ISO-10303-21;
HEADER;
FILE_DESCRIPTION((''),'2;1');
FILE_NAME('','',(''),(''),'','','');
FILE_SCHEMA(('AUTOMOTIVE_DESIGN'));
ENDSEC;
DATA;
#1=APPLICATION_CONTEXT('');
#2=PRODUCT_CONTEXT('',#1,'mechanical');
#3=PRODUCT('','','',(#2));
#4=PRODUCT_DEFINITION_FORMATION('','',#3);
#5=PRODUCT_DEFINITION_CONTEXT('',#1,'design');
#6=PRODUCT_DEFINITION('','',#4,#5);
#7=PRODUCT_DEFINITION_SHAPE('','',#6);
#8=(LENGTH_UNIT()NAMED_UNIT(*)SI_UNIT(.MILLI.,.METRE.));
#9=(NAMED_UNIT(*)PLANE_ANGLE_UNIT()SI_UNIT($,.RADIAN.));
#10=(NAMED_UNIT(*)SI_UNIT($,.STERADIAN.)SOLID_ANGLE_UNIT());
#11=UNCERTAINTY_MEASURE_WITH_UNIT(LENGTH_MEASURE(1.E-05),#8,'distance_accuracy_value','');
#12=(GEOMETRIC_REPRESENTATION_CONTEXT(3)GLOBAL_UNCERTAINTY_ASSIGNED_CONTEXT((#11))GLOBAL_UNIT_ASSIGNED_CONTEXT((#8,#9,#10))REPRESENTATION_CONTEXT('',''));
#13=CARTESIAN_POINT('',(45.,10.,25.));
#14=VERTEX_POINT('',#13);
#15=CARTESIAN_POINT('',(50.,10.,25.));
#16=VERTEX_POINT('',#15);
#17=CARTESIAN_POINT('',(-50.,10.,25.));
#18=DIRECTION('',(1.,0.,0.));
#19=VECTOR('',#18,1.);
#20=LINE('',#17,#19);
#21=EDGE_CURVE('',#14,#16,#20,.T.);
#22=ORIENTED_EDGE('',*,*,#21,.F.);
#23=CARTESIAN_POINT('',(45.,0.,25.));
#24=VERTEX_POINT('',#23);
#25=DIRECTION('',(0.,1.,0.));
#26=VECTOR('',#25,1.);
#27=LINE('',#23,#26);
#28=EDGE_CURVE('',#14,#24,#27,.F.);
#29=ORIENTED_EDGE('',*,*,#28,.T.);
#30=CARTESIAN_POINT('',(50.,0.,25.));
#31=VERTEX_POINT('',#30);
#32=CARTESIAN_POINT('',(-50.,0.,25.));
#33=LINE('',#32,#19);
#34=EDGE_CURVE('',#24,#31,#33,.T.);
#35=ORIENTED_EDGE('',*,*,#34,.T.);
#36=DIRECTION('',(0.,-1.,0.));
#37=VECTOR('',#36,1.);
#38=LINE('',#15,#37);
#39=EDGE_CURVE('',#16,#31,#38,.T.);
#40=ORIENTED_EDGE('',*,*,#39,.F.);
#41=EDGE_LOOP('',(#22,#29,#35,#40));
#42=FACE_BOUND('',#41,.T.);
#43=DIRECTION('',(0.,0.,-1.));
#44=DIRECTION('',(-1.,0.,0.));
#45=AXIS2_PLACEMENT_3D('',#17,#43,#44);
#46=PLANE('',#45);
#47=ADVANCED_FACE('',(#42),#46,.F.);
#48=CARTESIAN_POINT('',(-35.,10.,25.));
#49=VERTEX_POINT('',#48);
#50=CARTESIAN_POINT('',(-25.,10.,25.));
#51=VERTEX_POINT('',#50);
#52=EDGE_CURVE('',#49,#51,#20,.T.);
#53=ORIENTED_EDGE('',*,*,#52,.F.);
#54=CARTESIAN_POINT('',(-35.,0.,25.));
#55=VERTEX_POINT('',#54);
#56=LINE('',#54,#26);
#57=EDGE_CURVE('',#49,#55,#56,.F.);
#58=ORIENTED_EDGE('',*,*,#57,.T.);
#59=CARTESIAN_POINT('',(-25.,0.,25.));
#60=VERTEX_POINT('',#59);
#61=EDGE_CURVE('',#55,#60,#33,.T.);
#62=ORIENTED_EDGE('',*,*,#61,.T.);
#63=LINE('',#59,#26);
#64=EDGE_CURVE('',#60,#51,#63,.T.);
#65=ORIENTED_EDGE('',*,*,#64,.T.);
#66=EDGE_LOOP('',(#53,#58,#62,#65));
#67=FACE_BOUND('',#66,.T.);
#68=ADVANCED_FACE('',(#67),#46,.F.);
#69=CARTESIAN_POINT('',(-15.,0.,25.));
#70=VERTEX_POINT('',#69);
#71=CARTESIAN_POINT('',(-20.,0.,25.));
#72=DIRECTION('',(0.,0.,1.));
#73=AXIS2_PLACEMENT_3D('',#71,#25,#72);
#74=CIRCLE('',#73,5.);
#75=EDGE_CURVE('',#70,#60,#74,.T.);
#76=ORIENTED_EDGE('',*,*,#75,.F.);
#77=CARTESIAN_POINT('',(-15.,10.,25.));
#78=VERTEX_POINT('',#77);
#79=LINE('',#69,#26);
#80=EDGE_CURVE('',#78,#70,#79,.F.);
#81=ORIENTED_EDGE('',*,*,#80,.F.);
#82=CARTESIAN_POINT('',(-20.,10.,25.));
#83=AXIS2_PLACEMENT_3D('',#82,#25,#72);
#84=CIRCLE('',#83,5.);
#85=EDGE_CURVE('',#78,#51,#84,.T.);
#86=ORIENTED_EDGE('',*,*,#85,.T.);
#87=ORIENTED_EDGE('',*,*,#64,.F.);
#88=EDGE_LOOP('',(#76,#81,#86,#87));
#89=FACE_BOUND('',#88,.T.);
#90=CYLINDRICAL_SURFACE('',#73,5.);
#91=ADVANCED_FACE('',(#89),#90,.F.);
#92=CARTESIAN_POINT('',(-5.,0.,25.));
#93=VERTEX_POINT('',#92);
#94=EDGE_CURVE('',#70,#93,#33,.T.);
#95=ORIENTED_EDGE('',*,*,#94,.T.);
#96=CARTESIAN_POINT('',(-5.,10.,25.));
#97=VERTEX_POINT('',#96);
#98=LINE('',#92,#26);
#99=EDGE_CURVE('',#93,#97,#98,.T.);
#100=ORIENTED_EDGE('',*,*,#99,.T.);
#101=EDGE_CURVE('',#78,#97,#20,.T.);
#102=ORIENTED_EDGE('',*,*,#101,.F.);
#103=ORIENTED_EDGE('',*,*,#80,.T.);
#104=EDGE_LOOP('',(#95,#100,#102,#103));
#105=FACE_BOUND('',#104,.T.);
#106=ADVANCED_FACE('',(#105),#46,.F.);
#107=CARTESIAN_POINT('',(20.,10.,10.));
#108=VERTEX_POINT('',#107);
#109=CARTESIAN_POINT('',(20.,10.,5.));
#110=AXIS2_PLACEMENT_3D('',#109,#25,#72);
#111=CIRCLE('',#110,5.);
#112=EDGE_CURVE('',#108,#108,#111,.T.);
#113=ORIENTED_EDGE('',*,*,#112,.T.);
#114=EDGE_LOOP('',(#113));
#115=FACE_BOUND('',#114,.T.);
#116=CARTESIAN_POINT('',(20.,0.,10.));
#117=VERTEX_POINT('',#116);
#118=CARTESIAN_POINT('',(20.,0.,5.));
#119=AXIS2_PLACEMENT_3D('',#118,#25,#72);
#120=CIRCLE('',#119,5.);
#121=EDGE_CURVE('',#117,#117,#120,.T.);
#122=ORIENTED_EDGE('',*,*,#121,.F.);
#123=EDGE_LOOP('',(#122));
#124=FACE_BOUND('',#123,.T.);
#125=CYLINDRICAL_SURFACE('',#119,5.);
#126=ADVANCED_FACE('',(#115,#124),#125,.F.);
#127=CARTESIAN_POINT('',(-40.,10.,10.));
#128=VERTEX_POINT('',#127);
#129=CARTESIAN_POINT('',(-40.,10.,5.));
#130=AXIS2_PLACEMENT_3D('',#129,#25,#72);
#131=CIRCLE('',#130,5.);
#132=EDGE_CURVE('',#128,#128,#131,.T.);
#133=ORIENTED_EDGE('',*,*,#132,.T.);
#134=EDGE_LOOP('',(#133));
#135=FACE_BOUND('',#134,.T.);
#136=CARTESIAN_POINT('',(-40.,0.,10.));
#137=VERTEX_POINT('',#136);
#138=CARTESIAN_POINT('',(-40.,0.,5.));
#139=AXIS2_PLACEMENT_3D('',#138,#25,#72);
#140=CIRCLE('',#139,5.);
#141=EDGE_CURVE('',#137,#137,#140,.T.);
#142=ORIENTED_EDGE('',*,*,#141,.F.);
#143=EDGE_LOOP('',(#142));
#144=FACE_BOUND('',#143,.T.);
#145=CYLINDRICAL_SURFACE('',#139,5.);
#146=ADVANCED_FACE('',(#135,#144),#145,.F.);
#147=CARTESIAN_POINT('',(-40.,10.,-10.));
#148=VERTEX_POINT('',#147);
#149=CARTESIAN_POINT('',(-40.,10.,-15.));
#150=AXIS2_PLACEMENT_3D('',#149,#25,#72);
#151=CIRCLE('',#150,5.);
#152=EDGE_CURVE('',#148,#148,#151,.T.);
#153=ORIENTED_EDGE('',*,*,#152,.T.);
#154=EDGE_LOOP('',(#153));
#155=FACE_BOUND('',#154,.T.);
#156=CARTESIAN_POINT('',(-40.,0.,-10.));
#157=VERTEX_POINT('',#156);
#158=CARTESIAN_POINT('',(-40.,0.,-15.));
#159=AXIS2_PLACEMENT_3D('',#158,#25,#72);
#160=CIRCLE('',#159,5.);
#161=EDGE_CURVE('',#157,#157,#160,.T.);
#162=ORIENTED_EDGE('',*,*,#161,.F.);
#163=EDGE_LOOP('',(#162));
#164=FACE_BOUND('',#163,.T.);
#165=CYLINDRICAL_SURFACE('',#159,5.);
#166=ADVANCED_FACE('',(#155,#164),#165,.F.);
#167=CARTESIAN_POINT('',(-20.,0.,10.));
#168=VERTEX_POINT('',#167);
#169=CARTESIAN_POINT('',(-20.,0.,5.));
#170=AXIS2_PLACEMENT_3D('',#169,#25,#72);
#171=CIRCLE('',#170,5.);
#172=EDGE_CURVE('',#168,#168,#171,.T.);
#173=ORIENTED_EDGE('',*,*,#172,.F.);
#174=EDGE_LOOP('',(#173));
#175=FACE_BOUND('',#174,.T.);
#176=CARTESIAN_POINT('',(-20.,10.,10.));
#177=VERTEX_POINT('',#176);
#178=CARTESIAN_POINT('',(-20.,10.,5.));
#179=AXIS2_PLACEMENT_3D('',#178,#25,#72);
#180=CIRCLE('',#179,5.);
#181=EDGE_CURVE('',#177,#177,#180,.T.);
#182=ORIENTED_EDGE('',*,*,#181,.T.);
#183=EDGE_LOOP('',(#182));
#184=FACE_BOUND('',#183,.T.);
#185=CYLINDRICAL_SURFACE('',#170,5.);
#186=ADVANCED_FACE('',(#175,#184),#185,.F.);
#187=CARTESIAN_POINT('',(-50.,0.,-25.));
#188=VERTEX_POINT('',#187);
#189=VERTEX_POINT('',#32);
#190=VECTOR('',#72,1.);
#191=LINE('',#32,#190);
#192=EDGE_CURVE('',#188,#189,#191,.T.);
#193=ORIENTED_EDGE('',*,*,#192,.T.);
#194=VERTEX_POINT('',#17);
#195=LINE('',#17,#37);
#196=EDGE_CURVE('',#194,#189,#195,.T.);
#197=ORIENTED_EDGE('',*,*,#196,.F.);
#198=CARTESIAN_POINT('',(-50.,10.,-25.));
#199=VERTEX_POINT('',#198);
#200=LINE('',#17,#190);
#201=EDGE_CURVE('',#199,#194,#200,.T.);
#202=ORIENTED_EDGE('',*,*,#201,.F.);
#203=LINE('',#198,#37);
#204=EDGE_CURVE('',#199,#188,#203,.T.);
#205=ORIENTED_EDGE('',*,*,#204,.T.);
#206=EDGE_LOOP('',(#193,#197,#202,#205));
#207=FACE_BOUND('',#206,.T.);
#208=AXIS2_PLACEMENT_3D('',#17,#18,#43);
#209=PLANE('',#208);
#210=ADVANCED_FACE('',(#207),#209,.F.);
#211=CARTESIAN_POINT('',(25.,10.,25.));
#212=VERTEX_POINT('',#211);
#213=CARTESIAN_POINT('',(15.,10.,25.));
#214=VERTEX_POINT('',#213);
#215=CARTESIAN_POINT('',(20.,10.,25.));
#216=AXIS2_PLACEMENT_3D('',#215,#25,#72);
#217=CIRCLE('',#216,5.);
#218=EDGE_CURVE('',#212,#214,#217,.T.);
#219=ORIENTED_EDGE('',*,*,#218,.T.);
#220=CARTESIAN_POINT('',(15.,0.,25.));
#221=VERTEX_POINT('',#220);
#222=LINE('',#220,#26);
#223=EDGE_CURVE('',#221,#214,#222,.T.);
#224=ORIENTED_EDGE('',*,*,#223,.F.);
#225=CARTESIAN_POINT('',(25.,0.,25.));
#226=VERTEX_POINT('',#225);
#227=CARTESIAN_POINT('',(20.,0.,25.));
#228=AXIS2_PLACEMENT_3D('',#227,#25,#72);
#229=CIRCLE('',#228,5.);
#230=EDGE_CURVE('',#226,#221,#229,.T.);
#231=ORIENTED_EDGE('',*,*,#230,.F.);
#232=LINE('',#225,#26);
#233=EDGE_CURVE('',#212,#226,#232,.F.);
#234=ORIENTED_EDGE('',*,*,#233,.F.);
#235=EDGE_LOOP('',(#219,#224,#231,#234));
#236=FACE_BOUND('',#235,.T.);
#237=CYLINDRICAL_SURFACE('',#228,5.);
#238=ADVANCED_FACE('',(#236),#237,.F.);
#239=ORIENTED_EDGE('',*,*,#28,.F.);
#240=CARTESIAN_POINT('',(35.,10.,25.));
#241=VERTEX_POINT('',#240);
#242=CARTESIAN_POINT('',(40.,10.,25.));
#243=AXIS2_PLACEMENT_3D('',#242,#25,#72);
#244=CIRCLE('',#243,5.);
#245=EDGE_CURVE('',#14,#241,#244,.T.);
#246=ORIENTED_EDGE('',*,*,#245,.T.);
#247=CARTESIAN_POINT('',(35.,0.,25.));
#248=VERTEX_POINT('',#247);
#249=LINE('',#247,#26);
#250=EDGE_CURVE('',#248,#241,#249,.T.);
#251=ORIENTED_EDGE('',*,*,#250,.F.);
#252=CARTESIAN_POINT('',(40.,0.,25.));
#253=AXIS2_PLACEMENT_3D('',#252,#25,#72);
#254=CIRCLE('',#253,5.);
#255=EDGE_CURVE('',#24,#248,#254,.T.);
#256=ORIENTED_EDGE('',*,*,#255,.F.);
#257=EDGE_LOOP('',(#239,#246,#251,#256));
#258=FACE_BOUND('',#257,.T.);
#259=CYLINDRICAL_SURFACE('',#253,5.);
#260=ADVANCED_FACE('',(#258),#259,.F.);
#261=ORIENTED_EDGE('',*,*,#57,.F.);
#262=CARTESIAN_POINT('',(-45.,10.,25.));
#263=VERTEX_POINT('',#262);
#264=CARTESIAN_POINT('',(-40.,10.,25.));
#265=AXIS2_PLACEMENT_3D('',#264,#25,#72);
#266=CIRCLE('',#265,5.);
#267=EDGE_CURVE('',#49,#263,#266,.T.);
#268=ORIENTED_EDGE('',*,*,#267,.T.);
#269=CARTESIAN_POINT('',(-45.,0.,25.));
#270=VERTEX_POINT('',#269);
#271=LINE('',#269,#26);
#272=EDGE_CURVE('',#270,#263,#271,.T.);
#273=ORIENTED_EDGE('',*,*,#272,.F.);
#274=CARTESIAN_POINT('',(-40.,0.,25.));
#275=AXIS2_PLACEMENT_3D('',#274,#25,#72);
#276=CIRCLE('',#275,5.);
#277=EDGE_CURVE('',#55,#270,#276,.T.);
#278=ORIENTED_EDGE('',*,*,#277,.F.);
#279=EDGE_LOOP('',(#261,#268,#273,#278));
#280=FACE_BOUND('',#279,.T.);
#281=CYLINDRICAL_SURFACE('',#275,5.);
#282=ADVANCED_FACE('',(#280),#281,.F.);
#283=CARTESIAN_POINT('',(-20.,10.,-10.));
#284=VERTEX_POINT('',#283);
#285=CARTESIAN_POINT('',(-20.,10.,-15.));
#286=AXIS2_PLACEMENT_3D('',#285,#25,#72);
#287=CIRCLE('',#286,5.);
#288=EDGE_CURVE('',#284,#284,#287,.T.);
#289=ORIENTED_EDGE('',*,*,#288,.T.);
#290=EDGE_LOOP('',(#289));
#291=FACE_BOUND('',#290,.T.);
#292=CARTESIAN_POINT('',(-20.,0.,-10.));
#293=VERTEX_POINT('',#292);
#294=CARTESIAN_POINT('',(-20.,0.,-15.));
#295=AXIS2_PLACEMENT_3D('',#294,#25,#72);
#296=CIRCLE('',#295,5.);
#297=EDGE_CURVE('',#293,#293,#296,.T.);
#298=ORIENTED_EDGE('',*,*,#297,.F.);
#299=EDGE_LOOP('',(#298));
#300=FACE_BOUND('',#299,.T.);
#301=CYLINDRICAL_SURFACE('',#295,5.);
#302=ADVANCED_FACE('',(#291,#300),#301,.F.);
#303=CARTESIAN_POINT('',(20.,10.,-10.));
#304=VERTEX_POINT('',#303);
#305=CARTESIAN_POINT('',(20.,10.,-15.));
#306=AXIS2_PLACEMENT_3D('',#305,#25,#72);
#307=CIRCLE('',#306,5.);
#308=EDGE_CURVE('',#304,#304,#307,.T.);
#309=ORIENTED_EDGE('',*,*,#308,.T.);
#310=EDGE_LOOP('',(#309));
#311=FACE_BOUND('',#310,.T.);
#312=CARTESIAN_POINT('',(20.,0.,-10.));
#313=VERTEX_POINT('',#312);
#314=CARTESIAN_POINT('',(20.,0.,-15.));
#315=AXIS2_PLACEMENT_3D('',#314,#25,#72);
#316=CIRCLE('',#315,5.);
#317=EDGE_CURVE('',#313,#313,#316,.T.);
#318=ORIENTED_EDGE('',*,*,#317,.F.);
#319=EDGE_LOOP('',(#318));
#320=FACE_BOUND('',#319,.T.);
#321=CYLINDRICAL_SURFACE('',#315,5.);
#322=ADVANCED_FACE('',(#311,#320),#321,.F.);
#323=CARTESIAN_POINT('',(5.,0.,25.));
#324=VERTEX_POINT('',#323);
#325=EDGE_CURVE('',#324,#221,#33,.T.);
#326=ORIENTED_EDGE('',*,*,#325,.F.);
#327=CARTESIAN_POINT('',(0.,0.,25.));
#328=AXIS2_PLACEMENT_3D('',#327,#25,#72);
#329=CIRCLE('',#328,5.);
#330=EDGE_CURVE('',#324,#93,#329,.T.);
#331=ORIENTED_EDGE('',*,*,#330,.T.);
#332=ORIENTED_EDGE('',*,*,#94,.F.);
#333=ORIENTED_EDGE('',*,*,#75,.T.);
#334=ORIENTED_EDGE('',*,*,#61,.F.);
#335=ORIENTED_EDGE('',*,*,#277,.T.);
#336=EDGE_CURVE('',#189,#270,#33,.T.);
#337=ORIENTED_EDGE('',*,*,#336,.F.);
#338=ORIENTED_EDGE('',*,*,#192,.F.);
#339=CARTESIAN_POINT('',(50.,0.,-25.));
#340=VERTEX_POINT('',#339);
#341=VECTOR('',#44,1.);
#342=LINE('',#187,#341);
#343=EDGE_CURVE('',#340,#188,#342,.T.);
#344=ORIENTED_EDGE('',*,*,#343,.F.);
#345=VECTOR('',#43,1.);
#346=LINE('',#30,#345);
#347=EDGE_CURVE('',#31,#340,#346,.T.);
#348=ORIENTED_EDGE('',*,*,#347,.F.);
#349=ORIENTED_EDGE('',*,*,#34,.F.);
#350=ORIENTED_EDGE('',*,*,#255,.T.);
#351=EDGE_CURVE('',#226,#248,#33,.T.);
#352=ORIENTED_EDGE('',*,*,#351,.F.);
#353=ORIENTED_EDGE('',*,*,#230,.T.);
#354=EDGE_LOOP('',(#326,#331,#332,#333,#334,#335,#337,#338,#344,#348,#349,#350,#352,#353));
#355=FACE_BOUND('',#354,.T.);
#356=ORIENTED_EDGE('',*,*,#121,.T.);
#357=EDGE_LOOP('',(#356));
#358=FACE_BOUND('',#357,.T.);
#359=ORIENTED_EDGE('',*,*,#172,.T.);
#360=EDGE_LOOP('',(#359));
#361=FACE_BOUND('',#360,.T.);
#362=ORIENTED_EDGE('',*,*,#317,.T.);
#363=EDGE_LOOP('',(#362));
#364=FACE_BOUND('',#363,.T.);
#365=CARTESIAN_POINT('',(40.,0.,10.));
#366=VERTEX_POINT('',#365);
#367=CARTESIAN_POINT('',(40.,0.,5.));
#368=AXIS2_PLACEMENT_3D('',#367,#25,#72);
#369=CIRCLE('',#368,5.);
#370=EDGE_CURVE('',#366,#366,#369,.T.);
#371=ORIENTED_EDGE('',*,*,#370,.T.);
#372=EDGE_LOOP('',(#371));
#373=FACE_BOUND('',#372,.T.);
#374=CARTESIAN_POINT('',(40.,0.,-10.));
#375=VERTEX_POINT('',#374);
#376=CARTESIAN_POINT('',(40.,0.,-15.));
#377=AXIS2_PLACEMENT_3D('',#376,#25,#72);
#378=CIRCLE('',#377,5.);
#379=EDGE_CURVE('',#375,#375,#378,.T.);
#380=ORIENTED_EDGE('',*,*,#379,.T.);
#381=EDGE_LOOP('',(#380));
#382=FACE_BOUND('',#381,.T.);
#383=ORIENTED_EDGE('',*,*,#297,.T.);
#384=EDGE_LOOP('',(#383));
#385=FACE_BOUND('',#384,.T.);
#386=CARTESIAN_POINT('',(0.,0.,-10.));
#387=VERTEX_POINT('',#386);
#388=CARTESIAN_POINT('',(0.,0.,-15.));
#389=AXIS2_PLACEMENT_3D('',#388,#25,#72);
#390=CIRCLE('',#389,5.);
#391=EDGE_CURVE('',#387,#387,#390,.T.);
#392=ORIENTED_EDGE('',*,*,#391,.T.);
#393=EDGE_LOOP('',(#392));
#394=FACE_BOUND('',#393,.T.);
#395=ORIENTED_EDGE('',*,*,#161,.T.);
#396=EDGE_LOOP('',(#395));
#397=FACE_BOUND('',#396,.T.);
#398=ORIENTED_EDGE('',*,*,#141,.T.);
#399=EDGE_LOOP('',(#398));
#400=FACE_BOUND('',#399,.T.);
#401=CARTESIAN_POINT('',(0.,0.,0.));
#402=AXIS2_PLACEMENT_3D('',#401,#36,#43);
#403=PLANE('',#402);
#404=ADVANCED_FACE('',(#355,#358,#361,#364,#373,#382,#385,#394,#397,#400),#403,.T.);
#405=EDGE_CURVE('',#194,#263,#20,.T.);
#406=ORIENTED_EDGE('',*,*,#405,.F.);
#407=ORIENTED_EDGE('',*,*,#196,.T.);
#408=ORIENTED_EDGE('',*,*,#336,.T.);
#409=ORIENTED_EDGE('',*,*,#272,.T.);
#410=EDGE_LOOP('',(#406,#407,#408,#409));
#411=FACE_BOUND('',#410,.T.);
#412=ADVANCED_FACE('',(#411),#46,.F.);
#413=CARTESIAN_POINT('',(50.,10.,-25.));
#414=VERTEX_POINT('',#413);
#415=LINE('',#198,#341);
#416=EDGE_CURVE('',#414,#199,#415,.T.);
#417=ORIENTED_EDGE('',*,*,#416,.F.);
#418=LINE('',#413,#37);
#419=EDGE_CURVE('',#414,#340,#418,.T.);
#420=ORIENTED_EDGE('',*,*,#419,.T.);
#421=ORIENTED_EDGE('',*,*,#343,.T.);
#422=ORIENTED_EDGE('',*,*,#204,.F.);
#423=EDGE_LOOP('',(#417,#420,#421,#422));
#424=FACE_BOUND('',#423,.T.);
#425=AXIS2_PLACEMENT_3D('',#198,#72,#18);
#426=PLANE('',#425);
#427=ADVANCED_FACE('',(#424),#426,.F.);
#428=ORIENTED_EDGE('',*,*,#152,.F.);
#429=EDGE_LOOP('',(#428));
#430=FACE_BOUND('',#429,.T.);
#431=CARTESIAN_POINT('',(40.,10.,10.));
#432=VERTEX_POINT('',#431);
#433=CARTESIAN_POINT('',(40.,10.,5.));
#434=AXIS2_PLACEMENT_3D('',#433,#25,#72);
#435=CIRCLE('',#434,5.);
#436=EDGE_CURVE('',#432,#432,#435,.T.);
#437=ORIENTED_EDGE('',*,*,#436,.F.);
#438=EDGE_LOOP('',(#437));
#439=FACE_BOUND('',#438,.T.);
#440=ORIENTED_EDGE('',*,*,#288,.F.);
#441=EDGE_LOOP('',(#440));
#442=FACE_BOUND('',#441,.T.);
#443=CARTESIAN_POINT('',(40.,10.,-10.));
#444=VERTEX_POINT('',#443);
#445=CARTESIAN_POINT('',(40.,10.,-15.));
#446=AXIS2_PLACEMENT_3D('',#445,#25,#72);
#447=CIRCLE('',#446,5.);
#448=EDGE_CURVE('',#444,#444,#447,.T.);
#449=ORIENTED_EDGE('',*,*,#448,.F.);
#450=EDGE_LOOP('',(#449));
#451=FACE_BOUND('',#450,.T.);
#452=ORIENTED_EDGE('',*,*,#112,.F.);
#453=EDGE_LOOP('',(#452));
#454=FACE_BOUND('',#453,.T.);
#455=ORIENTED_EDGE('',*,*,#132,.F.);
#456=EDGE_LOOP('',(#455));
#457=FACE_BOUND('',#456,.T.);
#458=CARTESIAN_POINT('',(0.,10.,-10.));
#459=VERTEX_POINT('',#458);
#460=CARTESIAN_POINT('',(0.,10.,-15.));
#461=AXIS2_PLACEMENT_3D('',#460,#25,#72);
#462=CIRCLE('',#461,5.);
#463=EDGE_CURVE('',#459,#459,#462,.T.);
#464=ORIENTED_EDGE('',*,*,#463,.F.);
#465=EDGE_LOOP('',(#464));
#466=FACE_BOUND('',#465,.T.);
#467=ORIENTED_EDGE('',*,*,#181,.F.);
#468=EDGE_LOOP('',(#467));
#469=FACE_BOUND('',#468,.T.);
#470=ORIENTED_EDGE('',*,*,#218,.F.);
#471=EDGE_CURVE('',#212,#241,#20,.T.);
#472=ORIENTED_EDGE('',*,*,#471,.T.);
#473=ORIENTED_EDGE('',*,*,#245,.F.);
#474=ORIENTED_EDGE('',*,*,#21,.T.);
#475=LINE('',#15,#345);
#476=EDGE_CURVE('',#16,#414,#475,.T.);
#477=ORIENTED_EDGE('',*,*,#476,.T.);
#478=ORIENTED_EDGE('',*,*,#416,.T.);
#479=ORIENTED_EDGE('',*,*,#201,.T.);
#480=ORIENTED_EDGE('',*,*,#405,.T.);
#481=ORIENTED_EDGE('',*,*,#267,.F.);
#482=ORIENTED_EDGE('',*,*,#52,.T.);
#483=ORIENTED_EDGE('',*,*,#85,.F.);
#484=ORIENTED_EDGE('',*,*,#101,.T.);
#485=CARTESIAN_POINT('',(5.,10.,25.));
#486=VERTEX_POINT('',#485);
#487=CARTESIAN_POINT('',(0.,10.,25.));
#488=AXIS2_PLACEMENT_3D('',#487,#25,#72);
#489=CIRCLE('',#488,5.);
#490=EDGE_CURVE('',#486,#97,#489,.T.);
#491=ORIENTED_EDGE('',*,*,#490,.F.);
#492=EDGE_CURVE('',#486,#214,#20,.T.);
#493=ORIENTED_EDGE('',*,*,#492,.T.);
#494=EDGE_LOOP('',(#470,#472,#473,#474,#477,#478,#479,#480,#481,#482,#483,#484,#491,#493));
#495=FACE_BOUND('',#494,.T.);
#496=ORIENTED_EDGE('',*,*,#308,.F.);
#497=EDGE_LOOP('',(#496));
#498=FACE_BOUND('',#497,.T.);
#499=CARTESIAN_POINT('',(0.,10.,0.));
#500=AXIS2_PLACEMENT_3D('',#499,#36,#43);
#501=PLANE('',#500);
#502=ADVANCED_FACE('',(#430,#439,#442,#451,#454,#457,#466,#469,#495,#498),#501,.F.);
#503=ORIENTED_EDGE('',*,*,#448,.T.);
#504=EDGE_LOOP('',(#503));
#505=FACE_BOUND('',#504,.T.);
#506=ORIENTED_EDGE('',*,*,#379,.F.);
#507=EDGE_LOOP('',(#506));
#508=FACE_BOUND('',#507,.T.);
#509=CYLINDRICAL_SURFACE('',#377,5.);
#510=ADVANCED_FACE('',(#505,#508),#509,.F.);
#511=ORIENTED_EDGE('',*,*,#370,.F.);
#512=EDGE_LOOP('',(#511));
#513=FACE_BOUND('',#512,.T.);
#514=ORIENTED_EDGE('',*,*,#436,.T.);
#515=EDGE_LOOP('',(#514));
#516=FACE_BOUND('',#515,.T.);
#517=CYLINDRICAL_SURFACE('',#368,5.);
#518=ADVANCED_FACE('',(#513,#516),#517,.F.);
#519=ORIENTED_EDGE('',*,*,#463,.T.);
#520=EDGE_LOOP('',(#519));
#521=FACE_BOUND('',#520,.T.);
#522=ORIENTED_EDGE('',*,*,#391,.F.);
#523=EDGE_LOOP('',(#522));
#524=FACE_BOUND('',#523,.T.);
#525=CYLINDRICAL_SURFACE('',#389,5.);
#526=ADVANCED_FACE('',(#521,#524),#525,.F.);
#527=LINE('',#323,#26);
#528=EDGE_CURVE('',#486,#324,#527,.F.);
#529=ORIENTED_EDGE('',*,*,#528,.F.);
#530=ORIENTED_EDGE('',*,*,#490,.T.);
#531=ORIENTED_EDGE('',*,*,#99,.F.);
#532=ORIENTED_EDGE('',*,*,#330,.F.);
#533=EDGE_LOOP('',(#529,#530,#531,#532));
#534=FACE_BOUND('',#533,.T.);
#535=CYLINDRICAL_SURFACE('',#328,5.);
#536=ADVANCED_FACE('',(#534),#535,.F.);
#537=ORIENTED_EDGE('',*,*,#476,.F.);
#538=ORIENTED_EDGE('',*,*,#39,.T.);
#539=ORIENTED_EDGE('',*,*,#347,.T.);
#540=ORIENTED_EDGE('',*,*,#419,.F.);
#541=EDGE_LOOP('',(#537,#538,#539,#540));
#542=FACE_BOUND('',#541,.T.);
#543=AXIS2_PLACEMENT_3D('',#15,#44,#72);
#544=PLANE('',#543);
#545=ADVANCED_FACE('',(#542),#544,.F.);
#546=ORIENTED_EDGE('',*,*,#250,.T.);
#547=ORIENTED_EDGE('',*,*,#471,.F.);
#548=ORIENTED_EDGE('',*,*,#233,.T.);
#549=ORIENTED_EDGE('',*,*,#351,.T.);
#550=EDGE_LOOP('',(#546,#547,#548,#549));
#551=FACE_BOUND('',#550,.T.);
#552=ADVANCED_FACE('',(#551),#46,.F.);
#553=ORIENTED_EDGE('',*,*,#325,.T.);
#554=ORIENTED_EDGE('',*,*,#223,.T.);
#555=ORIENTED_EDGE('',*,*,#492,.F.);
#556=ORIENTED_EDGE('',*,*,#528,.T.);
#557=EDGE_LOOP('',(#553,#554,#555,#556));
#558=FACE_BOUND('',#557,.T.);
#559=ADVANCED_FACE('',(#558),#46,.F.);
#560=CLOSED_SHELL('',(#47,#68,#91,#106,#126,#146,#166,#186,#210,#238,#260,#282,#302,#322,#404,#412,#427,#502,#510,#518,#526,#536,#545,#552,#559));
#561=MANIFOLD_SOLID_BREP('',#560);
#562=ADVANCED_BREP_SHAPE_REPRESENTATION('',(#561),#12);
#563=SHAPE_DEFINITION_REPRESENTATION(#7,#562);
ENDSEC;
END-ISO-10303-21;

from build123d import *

# Parameters (mm, degrees)
SKETCH1_W            = 100
SKETCH1_H            = 50
BOSS_EXTRUDE1_DEPTH  = 10
SKETCH2_R            = 5
CUT_EXTRUDE1_DEPTH   = 10
LPATTERN1_COUNT      = 5
LPATTERN1_PITCH      = 20
LPATTERN1_COUNT_DIR2 = 3
LPATTERN1_PITCH_DIR2 = 20


with BuildPart() as part:
    # Sketch1 → Boss-Extrude1 (new body)
    with BuildSketch(Plane(origin=(0, 0, 0), x_dir=(1, 0, 0), z_dir=(0, 1, 0))):
        Rectangle(SKETCH1_W, SKETCH1_H)
    extrude(amount=BOSS_EXTRUDE1_DEPTH)

    # Sketch2 → Cut-Extrude1 (cut)
    with BuildSketch(Plane(origin=(0, 10, 0), x_dir=(1, 0, 0), z_dir=(0, 1, 0))):
        with Locations(Location((-40, 15, 0), (0, 0, 270))):
            Circle(SKETCH2_R)
    cut_extrude1 = extrude(amount=-CUT_EXTRUDE1_DEPTH, mode=Mode.SUBTRACT)

    # LPattern1: Cut-Extrude1 5 × 3, 1 skipped
    with Locations(*[(i * LPATTERN1_PITCH, 0, j * LPATTERN1_PITCH_DIR2) for i in range(LPATTERN1_COUNT) for j in range(LPATTERN1_COUNT_DIR2) if (i, j) not in ((0, 0), (2, 1))]):
        add(cut_extrude1, mode=Mode.SUBTRACT)


solid = part.part
